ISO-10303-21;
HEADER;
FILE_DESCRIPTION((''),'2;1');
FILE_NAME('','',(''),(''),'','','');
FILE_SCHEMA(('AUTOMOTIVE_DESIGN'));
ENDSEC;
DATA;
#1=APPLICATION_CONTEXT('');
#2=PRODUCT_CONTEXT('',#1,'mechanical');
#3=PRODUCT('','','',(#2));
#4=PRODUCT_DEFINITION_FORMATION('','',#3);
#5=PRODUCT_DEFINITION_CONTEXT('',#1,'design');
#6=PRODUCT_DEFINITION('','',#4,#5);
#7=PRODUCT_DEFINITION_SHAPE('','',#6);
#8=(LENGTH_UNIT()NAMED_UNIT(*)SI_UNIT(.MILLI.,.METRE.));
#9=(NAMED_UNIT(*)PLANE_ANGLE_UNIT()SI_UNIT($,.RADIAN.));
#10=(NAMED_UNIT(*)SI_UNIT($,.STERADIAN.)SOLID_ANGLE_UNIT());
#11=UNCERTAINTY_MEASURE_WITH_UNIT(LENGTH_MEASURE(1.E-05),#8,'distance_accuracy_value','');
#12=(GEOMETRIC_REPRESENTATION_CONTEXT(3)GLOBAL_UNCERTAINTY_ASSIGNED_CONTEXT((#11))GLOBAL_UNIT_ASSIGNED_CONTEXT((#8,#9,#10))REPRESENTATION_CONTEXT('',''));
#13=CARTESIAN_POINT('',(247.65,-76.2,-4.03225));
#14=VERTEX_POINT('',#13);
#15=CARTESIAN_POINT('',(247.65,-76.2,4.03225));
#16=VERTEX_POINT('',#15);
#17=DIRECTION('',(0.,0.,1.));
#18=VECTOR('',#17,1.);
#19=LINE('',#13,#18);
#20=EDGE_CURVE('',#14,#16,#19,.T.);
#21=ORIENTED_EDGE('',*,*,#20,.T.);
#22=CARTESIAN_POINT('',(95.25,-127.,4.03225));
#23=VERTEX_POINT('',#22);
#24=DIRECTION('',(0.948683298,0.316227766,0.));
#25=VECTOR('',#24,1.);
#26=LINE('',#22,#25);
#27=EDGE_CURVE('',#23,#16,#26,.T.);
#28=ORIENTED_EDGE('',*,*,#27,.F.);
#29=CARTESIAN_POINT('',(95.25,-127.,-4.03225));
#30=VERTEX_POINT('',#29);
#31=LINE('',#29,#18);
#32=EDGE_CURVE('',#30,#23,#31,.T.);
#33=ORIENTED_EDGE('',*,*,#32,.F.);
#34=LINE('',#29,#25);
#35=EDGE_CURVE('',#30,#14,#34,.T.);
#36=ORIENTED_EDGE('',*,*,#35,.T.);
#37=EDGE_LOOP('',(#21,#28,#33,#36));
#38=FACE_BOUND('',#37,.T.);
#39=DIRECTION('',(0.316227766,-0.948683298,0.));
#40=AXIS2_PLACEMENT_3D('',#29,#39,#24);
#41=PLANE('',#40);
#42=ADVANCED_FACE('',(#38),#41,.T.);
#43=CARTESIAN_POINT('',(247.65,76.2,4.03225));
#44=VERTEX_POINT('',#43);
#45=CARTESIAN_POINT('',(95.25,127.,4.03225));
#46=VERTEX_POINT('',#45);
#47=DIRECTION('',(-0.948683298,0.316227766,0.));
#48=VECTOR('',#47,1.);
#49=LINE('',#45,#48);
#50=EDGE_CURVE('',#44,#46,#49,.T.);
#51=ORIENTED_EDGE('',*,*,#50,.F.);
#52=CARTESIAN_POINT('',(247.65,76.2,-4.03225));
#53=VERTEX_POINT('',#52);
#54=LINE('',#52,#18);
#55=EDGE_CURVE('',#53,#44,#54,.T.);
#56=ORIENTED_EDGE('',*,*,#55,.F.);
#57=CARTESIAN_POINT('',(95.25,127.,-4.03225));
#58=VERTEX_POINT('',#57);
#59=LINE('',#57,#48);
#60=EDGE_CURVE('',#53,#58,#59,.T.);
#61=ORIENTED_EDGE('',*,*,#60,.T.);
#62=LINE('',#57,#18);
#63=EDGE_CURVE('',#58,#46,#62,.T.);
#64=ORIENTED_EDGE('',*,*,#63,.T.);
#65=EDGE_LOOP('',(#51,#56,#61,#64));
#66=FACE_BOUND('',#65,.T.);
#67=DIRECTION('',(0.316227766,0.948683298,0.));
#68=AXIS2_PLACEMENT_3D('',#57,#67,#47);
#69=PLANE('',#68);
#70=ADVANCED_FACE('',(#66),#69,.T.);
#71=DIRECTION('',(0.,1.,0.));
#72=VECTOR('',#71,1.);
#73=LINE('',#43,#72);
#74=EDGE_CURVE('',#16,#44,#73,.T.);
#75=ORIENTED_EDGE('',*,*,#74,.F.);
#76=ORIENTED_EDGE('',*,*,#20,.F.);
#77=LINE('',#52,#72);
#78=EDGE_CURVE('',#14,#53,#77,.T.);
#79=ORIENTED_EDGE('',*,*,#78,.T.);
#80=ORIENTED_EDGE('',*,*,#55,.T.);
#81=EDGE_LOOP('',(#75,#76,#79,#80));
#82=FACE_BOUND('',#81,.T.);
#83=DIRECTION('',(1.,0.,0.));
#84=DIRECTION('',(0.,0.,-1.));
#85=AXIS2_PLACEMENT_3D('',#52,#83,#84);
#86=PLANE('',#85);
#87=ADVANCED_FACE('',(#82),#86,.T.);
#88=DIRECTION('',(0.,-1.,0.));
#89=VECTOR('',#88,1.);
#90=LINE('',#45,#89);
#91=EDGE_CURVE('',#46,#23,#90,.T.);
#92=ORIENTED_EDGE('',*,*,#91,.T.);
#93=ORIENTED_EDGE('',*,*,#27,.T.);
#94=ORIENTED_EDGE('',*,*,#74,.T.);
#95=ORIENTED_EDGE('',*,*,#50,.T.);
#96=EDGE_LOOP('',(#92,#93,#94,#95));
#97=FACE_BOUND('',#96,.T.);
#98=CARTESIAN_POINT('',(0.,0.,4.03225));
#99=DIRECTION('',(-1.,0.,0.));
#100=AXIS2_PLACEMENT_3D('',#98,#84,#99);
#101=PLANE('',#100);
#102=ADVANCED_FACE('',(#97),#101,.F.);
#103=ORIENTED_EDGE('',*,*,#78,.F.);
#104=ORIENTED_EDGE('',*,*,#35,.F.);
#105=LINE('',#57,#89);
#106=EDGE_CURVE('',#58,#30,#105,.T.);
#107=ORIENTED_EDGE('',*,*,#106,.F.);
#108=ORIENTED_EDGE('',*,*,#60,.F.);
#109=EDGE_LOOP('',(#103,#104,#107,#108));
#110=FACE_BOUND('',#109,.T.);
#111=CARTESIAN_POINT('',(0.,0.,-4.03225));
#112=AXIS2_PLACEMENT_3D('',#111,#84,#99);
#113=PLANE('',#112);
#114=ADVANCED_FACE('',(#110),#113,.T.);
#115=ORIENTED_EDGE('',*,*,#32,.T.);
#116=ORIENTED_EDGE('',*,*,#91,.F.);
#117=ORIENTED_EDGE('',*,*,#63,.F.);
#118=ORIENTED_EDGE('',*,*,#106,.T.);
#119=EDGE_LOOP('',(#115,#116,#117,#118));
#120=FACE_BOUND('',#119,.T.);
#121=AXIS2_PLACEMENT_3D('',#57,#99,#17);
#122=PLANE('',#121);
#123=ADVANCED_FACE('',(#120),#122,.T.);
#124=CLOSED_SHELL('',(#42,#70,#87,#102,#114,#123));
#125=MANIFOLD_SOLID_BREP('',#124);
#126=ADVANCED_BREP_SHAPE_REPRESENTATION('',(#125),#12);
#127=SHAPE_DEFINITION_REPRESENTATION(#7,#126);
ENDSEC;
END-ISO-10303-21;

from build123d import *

# Parameters (mm, degrees)
BOSS_EXTRUDE1_DEPTH      = 4.03225
BOSS_EXTRUDE1_DEPTH_BACK = 4.03225


with BuildPart() as part:
    # Sketch1 → Boss-Extrude1 (new, two sides: drawn at the far end of the back side and taken through both)
    with BuildSketch(Plane.XY.offset(-BOSS_EXTRUDE1_DEPTH_BACK)):
        Polygon((95.25, 127), (95.25, -127), (247.65, -76.2), (247.65, 76.2), align=None)
    extrude(amount=BOSS_EXTRUDE1_DEPTH + BOSS_EXTRUDE1_DEPTH_BACK)


solid = part.part
